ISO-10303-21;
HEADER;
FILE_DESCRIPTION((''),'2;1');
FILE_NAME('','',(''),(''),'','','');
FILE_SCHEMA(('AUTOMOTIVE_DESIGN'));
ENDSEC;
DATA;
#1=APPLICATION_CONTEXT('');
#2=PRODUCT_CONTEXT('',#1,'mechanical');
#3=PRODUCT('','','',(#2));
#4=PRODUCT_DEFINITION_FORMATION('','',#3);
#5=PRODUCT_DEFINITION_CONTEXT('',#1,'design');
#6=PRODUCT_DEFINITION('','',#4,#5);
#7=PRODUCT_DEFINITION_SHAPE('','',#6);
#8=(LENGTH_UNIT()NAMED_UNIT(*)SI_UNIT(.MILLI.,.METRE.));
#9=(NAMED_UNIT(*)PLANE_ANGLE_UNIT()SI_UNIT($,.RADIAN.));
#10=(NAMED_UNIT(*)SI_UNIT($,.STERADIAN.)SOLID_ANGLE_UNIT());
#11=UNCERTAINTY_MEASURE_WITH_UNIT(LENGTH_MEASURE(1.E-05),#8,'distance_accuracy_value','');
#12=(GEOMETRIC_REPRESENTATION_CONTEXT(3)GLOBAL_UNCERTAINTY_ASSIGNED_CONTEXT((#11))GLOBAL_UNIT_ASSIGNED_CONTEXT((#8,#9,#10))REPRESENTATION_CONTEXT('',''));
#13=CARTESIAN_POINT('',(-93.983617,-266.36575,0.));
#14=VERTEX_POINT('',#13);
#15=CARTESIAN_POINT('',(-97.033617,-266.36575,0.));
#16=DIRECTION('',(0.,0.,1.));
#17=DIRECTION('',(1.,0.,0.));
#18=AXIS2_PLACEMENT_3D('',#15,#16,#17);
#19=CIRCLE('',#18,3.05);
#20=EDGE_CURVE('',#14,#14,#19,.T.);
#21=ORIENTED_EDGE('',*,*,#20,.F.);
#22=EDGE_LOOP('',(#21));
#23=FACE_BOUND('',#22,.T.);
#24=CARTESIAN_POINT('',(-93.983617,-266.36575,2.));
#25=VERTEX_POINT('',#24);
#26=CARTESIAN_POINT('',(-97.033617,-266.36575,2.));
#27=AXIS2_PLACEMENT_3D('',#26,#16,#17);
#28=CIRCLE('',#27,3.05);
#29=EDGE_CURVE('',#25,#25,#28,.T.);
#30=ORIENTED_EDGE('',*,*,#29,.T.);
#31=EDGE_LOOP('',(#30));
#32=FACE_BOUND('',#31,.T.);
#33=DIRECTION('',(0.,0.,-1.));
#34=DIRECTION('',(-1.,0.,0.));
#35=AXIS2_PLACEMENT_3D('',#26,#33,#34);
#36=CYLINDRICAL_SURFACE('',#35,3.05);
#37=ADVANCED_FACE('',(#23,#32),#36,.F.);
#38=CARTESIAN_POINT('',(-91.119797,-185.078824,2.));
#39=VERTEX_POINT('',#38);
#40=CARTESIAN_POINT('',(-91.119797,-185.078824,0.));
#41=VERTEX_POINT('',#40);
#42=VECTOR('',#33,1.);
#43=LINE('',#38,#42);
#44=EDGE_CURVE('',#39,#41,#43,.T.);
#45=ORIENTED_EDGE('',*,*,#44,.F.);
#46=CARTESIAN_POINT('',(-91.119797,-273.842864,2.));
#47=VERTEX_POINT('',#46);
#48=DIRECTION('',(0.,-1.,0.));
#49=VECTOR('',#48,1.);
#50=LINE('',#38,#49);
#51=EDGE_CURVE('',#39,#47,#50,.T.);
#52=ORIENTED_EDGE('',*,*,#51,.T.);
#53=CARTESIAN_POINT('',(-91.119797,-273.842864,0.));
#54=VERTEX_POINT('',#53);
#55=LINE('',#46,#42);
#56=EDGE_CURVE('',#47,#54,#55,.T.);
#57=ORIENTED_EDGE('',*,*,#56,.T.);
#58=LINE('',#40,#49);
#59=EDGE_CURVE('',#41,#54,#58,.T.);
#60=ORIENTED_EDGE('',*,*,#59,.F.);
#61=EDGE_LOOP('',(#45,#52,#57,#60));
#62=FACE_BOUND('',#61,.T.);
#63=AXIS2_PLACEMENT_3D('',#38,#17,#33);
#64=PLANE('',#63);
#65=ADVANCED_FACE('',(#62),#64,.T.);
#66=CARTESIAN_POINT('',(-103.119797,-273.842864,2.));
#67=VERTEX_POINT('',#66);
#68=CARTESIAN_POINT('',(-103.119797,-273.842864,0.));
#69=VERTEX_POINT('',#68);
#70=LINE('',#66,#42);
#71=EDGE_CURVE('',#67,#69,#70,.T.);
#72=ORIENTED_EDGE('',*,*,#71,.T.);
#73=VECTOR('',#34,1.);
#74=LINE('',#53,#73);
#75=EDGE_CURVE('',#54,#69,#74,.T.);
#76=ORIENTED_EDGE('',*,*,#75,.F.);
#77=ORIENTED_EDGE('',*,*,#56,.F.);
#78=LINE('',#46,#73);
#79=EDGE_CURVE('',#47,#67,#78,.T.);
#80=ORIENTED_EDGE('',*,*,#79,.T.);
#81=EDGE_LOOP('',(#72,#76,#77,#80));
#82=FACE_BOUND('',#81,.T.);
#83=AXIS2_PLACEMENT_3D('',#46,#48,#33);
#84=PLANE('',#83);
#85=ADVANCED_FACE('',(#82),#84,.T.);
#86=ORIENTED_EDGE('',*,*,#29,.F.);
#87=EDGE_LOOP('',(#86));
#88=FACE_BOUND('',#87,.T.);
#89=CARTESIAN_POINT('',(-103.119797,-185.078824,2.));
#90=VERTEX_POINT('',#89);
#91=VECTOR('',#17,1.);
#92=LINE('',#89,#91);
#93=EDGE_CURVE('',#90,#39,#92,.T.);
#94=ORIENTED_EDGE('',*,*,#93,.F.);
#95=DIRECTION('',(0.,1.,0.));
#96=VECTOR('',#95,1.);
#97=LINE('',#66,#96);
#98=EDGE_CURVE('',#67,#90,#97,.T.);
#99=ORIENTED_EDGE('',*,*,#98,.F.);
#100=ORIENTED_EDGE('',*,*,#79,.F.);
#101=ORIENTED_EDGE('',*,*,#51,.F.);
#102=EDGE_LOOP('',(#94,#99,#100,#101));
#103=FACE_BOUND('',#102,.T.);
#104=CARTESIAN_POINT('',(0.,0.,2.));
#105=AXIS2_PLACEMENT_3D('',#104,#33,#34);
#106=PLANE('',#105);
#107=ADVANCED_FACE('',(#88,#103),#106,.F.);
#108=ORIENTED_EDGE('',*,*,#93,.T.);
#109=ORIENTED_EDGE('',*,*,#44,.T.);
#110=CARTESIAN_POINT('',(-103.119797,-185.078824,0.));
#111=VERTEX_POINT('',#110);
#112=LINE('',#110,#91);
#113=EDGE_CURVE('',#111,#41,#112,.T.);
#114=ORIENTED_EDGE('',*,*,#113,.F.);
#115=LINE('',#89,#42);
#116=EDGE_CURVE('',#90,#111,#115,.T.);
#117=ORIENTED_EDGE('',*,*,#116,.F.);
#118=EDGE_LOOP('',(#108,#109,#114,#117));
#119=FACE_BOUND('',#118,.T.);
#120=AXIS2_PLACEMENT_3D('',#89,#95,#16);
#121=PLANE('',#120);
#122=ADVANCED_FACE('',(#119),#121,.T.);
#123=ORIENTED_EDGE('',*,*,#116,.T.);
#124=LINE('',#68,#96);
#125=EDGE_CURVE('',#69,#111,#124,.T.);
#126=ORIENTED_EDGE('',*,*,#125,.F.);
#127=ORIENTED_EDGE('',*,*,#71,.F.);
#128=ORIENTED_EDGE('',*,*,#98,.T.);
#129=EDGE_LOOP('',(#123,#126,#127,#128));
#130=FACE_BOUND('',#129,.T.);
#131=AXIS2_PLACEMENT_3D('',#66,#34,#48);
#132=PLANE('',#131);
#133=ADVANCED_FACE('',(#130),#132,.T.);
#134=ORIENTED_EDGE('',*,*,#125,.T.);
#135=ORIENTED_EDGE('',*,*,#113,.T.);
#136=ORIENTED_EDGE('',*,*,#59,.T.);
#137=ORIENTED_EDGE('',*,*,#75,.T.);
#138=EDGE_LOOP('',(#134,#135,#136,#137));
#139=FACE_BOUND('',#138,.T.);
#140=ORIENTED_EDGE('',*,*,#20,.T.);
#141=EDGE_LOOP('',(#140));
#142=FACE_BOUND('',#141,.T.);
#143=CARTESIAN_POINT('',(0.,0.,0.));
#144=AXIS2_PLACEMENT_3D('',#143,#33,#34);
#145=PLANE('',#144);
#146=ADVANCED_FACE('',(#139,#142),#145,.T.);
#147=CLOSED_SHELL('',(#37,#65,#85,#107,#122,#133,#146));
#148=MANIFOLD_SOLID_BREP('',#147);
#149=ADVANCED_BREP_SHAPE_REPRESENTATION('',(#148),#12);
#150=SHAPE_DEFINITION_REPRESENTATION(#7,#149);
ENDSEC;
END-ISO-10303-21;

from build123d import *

# Parameters (mm, degrees)
SKETCH2_W           = 12
SKETCH2_H           = 88.764040292
SKETCH2_R           = 3.050000035
BOSS_EXTRUDE1_DEPTH = 2


with BuildPart() as part:
    # Sketch2 → Boss-Extrude1 (new body)
    with BuildSketch(Plane(origin=(0, 0, 0), x_dir=(-1, 0, 0), z_dir=(0, 0, 1))):
        with Locations((97.119796832, 229.460844267)):
            Rectangle(SKETCH2_W, SKETCH2_H)
        with Locations((97.033616752, 266.365749925)):
            Circle(SKETCH2_R, mode=Mode.SUBTRACT)
    extrude(amount=BOSS_EXTRUDE1_DEPTH)


solid = part.part
